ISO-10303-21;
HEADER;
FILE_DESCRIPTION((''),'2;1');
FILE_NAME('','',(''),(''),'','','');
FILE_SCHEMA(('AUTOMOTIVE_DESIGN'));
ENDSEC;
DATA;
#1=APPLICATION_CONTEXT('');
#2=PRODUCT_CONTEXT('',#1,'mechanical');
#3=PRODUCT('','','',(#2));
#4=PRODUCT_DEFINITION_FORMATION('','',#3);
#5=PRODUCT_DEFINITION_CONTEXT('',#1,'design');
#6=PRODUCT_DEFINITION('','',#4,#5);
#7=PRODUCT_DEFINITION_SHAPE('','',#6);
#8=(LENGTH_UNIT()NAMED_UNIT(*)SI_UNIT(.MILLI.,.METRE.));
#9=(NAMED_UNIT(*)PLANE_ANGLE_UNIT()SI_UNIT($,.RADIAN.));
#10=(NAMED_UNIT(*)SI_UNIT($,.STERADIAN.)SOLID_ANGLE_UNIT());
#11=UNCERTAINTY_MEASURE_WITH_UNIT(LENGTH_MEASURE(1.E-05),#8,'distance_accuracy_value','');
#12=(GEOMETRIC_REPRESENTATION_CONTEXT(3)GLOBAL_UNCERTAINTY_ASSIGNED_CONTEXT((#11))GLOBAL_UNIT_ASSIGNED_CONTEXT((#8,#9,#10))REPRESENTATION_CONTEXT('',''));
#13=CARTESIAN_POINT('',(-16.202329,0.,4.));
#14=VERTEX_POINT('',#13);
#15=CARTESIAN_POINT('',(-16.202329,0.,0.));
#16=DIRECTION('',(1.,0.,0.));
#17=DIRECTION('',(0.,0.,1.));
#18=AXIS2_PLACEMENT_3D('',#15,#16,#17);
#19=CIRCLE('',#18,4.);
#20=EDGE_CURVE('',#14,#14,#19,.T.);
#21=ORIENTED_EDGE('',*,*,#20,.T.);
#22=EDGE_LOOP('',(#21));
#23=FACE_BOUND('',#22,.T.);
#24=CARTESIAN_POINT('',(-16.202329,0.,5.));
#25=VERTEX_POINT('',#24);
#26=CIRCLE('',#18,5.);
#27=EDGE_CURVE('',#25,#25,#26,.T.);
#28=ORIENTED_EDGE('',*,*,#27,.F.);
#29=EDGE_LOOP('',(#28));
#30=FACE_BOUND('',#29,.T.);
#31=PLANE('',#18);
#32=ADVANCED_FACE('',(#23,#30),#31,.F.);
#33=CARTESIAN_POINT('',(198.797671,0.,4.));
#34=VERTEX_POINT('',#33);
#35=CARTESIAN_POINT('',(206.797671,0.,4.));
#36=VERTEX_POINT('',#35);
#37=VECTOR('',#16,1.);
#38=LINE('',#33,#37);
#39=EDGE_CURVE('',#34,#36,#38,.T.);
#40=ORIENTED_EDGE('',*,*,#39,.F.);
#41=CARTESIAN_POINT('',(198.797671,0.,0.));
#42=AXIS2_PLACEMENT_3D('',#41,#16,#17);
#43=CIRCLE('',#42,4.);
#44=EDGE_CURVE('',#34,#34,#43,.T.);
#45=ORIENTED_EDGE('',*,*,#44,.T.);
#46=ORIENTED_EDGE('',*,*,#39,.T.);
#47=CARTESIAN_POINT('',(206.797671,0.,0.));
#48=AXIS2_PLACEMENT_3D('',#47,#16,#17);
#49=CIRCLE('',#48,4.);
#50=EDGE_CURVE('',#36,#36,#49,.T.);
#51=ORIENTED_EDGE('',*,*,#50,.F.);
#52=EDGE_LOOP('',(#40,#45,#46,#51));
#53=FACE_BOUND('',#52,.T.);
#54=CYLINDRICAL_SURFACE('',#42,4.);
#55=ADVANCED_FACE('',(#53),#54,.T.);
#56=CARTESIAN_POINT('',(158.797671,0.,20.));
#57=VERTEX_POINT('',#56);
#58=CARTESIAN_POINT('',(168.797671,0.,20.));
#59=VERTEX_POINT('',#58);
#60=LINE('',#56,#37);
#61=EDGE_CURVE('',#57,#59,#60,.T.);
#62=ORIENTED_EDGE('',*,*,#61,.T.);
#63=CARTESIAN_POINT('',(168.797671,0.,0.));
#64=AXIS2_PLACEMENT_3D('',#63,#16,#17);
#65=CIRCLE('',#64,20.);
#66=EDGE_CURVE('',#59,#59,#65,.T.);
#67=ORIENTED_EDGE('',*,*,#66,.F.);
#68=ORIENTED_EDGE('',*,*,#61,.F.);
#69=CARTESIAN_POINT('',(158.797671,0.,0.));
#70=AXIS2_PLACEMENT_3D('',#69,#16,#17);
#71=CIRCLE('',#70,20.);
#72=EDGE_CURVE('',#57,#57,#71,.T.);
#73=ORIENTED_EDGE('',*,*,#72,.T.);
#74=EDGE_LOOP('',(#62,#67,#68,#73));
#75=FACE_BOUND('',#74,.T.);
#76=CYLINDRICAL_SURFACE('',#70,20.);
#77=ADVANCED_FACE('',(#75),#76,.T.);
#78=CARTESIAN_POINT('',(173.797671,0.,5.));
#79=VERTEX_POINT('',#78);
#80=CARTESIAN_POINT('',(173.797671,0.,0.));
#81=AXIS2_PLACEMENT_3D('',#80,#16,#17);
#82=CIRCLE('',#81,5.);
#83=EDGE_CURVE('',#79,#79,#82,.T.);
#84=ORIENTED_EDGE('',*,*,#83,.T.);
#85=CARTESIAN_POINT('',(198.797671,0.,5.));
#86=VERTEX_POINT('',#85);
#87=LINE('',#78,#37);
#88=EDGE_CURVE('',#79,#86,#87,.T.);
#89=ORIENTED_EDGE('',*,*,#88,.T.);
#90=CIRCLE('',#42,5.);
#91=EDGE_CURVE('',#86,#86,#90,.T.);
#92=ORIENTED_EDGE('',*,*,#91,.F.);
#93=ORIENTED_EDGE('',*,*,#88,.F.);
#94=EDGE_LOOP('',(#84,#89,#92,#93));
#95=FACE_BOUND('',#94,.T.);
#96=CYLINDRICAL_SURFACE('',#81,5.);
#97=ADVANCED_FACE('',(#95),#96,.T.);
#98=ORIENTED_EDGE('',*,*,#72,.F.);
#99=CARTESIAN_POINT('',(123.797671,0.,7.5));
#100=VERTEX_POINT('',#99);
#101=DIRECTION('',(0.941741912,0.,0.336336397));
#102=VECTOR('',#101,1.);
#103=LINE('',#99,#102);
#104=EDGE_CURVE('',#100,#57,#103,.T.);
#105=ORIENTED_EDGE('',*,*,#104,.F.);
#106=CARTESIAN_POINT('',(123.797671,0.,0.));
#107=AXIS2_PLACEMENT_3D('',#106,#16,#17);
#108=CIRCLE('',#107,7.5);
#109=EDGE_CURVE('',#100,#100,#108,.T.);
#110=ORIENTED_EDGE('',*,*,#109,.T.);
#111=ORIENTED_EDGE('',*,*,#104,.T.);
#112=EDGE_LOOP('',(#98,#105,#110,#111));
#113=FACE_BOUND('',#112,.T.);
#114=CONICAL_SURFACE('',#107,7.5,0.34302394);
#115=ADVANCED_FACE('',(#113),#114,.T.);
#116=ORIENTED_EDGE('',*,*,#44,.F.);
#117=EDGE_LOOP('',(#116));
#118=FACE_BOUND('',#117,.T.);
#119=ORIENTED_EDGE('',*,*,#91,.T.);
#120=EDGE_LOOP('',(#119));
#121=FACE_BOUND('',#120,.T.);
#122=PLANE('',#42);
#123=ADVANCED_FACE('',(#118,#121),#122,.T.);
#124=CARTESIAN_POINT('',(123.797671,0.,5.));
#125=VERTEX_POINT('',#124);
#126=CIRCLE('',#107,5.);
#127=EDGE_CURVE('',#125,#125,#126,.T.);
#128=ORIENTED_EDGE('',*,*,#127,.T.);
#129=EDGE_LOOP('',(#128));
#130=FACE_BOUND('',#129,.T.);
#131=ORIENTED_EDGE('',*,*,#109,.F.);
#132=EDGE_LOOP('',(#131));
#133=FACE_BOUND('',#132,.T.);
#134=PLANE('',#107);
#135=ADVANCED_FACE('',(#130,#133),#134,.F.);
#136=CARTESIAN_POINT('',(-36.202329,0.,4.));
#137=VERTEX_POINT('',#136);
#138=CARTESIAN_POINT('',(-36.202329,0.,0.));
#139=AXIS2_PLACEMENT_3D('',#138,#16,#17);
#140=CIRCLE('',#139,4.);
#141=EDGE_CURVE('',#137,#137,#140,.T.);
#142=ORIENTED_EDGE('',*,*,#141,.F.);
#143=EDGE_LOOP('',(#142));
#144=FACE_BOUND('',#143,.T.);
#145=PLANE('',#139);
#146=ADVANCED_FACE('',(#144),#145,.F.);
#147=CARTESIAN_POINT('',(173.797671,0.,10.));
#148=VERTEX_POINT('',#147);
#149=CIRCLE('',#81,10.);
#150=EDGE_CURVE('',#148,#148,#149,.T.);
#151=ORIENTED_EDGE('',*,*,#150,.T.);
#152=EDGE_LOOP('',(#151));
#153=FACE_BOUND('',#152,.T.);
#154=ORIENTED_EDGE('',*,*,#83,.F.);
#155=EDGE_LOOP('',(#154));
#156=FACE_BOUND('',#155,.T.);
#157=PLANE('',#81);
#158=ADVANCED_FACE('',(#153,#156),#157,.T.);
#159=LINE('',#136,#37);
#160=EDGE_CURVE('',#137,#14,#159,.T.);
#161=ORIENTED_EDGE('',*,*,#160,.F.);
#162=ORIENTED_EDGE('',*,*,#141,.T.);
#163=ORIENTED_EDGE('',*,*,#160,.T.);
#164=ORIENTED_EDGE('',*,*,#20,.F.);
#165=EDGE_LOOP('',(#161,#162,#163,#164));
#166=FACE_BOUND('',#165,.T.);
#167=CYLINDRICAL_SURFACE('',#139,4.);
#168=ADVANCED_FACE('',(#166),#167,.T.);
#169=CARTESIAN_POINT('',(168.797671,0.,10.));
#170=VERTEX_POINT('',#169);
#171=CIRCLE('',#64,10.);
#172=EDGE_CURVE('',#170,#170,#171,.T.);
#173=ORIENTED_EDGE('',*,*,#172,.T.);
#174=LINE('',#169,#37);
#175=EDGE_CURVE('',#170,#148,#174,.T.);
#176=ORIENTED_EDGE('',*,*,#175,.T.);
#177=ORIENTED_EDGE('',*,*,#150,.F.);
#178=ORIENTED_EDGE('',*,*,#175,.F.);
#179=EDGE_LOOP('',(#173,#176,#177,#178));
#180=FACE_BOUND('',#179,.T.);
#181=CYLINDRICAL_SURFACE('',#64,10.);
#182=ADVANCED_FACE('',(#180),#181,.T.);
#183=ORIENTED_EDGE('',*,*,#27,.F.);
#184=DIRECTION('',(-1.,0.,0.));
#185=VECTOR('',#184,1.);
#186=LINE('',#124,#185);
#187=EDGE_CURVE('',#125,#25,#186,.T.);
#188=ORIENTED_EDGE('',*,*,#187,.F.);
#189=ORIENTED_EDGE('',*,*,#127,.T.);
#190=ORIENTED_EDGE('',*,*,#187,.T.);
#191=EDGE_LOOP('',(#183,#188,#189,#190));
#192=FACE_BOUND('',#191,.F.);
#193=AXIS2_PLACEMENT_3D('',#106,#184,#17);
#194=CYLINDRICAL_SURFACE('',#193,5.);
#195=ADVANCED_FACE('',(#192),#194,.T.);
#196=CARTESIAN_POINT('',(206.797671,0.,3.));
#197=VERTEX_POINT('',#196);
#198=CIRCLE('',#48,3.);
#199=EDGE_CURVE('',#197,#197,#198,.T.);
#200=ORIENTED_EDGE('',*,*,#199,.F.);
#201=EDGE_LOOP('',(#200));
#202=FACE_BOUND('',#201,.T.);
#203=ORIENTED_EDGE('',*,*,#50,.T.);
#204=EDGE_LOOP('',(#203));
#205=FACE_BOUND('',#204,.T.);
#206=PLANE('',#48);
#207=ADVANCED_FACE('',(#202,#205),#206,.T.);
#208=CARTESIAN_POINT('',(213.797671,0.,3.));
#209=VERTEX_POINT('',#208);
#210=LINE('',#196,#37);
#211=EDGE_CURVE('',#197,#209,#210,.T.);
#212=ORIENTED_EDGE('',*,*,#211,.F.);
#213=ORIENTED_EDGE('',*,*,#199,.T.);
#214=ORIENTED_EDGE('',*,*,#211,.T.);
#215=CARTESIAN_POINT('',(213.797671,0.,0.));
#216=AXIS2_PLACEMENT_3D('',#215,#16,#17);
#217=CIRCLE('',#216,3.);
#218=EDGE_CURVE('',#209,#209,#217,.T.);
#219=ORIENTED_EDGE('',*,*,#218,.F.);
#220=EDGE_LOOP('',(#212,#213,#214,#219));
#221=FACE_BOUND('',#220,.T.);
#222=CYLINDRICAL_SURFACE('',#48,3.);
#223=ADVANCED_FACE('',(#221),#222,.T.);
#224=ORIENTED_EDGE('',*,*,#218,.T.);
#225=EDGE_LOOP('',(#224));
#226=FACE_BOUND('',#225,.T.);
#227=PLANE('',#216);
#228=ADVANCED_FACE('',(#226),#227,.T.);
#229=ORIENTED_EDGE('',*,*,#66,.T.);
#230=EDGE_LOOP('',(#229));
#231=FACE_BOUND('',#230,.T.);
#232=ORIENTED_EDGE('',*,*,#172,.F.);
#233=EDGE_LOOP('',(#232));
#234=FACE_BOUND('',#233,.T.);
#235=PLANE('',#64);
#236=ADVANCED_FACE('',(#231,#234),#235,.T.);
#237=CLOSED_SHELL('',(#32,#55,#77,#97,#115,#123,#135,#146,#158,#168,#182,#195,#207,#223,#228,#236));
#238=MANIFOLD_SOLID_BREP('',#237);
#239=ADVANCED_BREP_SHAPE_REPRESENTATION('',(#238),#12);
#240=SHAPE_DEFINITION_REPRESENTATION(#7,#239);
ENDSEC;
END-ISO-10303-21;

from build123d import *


with BuildPart() as part:
    # Sketch1 → Revolve1 (revolve)
    with BuildSketch(Plane.XY, mode=Mode.PRIVATE) as revolve1_sk:
        Polygon((-36.202328556, 0), (-36.202328556, 4), (-16.202328556, 4), (-16.202328556, 5), (93.797671444, 5), (123.797671444, 5), (123.797671444, 7.5), (158.797671444, 20), (168.797671444, 20), (168.797671444, 10), (173.797671444, 10), (173.797671444, 5), (198.797671444, 5), (198.797671444, 4), (206.797671444, 4), (206.797671444, 3), (213.797671444, 3), (213.797671444, 0), align=None)
    revolve(revolve1_sk.sketch.rotate(Axis((-96.391120084, 0, 0), (1, 0, 0)), 90), axis=Axis((-96.391120084, 0, 0), (1, 0, 0)))  # turned: the seam where the file's is


solid = part.part
